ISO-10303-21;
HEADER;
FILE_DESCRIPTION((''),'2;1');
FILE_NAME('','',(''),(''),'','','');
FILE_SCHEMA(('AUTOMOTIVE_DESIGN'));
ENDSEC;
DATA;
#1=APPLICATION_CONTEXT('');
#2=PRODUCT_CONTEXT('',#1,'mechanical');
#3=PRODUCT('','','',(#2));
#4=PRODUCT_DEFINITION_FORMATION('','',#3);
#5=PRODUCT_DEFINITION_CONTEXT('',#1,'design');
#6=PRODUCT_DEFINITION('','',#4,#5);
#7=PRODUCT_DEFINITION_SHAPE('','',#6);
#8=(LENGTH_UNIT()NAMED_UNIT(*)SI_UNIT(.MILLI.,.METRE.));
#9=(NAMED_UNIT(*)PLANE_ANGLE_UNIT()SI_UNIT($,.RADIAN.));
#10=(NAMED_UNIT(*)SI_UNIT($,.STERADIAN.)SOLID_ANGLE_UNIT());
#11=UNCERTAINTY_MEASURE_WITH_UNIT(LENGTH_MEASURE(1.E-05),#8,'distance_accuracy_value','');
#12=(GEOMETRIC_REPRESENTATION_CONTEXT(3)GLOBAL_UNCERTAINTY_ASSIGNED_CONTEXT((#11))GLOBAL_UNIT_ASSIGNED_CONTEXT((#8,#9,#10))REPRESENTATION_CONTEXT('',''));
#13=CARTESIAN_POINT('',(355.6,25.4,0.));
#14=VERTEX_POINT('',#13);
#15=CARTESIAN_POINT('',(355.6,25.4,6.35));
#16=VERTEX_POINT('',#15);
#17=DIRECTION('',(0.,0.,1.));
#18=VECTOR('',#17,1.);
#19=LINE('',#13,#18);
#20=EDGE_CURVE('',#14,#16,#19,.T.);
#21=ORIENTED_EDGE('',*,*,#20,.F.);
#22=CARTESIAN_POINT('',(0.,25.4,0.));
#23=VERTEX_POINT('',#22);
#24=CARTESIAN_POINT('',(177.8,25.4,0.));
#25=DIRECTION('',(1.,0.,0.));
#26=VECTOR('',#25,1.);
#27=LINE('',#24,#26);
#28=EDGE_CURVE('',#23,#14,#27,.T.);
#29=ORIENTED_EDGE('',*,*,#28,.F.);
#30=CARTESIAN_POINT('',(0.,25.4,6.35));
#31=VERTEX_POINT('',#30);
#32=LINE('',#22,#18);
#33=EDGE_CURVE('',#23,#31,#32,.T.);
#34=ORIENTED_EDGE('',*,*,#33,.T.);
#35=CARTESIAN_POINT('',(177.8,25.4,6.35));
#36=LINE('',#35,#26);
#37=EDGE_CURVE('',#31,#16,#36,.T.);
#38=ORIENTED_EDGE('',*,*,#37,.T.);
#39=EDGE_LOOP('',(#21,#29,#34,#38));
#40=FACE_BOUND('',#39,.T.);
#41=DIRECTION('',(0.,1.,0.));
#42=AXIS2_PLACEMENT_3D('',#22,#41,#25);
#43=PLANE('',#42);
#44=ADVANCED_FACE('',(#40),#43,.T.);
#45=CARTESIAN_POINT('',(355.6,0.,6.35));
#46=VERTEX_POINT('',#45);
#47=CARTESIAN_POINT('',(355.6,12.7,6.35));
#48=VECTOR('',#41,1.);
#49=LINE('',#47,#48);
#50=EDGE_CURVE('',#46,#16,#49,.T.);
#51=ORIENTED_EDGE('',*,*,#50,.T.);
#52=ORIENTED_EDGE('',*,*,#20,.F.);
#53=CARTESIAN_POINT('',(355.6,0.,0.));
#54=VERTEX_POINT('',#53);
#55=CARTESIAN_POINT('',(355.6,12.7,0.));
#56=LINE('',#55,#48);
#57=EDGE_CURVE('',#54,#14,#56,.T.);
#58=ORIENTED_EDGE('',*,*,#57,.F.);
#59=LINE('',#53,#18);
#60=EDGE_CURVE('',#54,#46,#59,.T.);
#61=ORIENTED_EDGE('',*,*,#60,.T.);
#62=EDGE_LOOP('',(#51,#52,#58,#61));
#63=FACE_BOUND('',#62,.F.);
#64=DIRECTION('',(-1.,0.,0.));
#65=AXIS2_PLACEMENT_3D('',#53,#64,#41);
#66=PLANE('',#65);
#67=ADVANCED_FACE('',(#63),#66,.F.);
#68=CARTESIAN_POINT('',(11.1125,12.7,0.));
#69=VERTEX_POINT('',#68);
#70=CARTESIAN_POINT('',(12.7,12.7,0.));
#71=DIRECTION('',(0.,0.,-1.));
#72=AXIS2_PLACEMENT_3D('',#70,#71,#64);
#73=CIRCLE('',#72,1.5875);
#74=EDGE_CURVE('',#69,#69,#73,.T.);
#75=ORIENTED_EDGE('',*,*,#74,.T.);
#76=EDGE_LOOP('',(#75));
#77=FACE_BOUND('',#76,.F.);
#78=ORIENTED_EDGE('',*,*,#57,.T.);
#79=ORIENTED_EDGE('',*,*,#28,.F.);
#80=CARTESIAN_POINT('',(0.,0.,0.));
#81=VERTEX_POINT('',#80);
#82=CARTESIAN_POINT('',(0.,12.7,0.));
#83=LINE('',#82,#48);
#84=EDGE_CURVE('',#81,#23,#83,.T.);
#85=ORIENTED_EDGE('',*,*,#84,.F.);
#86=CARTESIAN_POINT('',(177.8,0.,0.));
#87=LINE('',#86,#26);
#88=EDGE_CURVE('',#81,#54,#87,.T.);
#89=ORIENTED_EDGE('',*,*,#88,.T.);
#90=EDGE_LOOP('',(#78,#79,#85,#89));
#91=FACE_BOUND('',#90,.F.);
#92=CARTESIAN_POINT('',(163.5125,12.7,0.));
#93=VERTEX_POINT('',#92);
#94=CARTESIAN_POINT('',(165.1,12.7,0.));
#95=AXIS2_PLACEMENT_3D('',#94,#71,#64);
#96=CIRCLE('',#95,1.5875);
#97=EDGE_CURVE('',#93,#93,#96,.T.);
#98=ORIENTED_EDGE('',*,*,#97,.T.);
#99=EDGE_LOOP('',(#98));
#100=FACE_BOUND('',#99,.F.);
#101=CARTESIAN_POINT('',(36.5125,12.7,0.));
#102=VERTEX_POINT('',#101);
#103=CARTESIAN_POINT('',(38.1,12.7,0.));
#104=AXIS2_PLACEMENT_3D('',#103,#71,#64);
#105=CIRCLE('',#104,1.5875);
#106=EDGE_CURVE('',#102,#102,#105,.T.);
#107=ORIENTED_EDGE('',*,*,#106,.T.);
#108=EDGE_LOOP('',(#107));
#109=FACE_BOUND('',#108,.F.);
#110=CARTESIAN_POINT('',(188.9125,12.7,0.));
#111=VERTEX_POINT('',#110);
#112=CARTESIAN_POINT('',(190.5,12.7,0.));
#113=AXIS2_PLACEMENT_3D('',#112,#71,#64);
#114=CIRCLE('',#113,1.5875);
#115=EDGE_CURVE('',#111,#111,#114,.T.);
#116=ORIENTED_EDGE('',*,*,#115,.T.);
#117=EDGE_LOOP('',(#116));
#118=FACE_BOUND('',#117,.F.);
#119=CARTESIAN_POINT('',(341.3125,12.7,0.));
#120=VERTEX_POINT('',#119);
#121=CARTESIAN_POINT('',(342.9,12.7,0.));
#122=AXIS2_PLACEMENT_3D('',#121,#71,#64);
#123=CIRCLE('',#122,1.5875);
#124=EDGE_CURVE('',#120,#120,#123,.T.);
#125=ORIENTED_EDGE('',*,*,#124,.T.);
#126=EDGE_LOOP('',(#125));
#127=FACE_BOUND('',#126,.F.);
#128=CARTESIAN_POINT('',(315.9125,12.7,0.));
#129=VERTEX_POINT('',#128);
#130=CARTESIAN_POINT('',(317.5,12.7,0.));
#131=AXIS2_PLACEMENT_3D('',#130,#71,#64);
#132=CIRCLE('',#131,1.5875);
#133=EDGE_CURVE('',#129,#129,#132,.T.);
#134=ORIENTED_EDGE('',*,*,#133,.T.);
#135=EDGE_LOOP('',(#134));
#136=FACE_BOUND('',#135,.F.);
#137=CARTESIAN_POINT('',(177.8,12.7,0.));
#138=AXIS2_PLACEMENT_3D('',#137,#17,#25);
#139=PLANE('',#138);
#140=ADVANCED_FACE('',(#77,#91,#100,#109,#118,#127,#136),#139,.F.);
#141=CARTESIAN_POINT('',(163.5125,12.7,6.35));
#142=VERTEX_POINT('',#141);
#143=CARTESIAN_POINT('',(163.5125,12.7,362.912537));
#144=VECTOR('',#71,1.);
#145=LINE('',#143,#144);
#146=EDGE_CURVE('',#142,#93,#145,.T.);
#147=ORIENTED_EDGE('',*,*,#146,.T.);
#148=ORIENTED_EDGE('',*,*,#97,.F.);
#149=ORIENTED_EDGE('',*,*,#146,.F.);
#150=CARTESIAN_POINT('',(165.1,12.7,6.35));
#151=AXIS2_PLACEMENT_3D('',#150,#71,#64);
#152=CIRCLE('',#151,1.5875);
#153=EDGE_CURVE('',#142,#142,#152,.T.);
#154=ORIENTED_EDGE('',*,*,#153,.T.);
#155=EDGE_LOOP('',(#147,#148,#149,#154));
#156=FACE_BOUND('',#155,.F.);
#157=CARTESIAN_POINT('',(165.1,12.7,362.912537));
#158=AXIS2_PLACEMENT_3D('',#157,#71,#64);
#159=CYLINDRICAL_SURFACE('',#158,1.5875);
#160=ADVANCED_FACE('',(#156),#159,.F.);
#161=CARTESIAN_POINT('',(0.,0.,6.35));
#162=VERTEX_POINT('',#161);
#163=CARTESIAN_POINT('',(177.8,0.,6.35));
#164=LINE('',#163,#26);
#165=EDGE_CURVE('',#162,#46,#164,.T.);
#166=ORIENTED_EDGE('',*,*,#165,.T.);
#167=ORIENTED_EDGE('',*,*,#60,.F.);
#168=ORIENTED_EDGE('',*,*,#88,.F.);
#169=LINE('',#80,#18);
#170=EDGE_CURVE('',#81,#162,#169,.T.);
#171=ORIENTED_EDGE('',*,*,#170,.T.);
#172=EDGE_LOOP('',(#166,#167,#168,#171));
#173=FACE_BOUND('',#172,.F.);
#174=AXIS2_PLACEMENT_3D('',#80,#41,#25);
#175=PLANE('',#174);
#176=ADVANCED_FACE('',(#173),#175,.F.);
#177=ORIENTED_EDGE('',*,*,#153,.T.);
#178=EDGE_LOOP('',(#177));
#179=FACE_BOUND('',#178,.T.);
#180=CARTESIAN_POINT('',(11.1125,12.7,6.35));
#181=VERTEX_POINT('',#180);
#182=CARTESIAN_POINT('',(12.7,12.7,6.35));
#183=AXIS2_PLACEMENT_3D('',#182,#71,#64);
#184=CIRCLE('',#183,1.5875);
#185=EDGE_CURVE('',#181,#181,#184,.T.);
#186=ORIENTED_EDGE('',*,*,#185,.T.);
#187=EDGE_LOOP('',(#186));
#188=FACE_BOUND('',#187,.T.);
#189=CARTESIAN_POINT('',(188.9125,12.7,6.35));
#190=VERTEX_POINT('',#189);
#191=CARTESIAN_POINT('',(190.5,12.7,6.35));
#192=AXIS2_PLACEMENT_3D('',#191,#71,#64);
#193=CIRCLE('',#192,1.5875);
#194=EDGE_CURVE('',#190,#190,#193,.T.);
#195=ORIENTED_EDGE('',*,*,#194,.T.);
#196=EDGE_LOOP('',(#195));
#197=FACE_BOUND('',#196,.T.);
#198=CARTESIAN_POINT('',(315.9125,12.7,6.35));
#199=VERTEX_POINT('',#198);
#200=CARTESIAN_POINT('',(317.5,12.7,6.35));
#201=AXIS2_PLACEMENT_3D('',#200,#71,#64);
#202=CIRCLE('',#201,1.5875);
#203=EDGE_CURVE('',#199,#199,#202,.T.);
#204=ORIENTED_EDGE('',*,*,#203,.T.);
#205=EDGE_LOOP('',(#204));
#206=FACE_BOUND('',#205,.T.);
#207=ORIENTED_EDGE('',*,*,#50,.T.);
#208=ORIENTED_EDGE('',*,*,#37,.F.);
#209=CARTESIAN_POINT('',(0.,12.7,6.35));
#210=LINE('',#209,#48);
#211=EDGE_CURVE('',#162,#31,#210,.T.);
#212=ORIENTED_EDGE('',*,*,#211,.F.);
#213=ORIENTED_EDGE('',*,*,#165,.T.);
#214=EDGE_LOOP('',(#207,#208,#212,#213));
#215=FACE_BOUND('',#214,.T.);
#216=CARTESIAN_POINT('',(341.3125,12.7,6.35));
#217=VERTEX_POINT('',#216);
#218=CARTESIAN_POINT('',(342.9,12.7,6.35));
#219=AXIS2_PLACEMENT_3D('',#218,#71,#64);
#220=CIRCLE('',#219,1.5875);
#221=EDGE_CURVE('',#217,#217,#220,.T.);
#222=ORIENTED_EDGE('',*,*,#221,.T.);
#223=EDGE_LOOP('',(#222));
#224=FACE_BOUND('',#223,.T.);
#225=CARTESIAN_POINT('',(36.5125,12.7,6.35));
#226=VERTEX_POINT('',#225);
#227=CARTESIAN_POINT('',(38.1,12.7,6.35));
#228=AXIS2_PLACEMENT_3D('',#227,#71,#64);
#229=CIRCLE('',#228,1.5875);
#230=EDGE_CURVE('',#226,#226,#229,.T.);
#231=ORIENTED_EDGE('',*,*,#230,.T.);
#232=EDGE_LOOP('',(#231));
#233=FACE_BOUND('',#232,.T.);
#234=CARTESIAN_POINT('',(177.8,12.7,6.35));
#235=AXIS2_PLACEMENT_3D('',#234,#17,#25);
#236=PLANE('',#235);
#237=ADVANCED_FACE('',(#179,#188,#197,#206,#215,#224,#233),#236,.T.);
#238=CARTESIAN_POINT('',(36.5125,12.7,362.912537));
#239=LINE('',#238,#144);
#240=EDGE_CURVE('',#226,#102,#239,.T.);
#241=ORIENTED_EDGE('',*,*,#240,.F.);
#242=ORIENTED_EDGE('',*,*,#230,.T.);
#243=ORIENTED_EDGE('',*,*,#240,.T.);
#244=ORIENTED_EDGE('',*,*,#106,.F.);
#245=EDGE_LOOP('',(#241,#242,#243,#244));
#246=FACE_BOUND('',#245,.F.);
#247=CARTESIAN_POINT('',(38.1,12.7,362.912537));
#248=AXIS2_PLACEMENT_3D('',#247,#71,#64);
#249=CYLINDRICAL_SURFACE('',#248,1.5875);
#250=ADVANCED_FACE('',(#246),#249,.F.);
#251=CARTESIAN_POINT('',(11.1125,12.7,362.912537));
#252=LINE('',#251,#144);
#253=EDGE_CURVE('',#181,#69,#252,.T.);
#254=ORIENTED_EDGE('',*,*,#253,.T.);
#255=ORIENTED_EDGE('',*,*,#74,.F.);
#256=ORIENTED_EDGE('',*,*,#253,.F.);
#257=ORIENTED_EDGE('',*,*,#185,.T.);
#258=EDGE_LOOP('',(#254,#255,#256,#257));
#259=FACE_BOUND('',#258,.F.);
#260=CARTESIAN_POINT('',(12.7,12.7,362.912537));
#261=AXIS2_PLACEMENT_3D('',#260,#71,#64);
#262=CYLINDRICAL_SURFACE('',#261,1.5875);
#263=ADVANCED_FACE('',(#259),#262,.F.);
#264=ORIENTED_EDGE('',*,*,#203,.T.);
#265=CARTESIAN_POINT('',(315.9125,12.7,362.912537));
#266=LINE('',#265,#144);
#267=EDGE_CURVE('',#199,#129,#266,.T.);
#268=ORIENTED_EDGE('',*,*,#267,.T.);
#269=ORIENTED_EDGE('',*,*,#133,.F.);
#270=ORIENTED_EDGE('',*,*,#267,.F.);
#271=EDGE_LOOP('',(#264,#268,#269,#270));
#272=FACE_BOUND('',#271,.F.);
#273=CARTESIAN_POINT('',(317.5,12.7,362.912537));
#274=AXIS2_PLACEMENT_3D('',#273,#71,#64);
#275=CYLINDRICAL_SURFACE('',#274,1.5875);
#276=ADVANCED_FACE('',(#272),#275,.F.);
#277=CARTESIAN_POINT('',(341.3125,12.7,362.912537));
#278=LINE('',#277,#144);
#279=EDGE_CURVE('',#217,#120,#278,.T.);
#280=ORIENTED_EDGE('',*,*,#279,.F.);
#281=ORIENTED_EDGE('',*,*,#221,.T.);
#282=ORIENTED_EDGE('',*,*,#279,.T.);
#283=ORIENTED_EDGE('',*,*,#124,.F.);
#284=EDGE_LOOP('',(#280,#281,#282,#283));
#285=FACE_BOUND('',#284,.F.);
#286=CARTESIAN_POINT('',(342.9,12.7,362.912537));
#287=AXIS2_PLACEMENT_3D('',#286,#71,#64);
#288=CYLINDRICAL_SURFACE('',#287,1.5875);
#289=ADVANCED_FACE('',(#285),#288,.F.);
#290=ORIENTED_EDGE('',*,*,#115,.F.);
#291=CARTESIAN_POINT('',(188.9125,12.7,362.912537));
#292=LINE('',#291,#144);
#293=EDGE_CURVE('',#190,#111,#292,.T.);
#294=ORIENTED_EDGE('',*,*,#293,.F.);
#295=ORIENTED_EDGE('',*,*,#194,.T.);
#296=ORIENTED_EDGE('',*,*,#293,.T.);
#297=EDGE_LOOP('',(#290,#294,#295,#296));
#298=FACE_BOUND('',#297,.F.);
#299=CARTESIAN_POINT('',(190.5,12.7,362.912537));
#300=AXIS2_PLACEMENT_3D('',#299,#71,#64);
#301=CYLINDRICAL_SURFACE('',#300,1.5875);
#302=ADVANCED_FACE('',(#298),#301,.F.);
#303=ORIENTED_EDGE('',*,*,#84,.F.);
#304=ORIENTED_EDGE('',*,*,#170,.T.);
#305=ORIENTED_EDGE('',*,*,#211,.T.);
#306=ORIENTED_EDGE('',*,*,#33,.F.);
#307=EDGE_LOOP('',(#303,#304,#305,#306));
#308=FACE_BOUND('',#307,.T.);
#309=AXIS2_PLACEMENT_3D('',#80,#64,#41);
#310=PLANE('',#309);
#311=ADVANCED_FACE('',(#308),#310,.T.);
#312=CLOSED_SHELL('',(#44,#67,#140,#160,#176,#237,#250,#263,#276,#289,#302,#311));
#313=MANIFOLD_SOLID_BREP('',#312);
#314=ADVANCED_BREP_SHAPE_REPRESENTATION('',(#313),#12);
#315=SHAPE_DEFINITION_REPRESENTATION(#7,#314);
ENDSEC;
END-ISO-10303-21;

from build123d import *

# Parameters (mm, degrees)
F0_W     = 355.6
F0_H     = 25.4
F1_DEPTH = 6.35
F3_D     = 3.175
F5_D     = 3.175


with BuildPart() as f1:
    # F0 (on Top) → F1 (new body)
    with BuildSketch(Plane.XY):
        with Locations((177.8, 12.7)):
            Rectangle(F0_W, F0_H)
    extrude(amount=F1_DEPTH)

    # F3 (through all)
    with Locations(Plane.XY.offset(6.35)):
        with Locations((165.1, 12.7), (190.5, 12.7)):
            Hole(F3_D / 2)

    # F5 (through all)
    with Locations(Plane.XY.offset(6.35)):
        with Locations((12.7, 12.7), (342.9, 12.7), (38.1, 12.7), (317.5, 12.7)):
            Hole(F5_D / 2)


solid = f1.part
